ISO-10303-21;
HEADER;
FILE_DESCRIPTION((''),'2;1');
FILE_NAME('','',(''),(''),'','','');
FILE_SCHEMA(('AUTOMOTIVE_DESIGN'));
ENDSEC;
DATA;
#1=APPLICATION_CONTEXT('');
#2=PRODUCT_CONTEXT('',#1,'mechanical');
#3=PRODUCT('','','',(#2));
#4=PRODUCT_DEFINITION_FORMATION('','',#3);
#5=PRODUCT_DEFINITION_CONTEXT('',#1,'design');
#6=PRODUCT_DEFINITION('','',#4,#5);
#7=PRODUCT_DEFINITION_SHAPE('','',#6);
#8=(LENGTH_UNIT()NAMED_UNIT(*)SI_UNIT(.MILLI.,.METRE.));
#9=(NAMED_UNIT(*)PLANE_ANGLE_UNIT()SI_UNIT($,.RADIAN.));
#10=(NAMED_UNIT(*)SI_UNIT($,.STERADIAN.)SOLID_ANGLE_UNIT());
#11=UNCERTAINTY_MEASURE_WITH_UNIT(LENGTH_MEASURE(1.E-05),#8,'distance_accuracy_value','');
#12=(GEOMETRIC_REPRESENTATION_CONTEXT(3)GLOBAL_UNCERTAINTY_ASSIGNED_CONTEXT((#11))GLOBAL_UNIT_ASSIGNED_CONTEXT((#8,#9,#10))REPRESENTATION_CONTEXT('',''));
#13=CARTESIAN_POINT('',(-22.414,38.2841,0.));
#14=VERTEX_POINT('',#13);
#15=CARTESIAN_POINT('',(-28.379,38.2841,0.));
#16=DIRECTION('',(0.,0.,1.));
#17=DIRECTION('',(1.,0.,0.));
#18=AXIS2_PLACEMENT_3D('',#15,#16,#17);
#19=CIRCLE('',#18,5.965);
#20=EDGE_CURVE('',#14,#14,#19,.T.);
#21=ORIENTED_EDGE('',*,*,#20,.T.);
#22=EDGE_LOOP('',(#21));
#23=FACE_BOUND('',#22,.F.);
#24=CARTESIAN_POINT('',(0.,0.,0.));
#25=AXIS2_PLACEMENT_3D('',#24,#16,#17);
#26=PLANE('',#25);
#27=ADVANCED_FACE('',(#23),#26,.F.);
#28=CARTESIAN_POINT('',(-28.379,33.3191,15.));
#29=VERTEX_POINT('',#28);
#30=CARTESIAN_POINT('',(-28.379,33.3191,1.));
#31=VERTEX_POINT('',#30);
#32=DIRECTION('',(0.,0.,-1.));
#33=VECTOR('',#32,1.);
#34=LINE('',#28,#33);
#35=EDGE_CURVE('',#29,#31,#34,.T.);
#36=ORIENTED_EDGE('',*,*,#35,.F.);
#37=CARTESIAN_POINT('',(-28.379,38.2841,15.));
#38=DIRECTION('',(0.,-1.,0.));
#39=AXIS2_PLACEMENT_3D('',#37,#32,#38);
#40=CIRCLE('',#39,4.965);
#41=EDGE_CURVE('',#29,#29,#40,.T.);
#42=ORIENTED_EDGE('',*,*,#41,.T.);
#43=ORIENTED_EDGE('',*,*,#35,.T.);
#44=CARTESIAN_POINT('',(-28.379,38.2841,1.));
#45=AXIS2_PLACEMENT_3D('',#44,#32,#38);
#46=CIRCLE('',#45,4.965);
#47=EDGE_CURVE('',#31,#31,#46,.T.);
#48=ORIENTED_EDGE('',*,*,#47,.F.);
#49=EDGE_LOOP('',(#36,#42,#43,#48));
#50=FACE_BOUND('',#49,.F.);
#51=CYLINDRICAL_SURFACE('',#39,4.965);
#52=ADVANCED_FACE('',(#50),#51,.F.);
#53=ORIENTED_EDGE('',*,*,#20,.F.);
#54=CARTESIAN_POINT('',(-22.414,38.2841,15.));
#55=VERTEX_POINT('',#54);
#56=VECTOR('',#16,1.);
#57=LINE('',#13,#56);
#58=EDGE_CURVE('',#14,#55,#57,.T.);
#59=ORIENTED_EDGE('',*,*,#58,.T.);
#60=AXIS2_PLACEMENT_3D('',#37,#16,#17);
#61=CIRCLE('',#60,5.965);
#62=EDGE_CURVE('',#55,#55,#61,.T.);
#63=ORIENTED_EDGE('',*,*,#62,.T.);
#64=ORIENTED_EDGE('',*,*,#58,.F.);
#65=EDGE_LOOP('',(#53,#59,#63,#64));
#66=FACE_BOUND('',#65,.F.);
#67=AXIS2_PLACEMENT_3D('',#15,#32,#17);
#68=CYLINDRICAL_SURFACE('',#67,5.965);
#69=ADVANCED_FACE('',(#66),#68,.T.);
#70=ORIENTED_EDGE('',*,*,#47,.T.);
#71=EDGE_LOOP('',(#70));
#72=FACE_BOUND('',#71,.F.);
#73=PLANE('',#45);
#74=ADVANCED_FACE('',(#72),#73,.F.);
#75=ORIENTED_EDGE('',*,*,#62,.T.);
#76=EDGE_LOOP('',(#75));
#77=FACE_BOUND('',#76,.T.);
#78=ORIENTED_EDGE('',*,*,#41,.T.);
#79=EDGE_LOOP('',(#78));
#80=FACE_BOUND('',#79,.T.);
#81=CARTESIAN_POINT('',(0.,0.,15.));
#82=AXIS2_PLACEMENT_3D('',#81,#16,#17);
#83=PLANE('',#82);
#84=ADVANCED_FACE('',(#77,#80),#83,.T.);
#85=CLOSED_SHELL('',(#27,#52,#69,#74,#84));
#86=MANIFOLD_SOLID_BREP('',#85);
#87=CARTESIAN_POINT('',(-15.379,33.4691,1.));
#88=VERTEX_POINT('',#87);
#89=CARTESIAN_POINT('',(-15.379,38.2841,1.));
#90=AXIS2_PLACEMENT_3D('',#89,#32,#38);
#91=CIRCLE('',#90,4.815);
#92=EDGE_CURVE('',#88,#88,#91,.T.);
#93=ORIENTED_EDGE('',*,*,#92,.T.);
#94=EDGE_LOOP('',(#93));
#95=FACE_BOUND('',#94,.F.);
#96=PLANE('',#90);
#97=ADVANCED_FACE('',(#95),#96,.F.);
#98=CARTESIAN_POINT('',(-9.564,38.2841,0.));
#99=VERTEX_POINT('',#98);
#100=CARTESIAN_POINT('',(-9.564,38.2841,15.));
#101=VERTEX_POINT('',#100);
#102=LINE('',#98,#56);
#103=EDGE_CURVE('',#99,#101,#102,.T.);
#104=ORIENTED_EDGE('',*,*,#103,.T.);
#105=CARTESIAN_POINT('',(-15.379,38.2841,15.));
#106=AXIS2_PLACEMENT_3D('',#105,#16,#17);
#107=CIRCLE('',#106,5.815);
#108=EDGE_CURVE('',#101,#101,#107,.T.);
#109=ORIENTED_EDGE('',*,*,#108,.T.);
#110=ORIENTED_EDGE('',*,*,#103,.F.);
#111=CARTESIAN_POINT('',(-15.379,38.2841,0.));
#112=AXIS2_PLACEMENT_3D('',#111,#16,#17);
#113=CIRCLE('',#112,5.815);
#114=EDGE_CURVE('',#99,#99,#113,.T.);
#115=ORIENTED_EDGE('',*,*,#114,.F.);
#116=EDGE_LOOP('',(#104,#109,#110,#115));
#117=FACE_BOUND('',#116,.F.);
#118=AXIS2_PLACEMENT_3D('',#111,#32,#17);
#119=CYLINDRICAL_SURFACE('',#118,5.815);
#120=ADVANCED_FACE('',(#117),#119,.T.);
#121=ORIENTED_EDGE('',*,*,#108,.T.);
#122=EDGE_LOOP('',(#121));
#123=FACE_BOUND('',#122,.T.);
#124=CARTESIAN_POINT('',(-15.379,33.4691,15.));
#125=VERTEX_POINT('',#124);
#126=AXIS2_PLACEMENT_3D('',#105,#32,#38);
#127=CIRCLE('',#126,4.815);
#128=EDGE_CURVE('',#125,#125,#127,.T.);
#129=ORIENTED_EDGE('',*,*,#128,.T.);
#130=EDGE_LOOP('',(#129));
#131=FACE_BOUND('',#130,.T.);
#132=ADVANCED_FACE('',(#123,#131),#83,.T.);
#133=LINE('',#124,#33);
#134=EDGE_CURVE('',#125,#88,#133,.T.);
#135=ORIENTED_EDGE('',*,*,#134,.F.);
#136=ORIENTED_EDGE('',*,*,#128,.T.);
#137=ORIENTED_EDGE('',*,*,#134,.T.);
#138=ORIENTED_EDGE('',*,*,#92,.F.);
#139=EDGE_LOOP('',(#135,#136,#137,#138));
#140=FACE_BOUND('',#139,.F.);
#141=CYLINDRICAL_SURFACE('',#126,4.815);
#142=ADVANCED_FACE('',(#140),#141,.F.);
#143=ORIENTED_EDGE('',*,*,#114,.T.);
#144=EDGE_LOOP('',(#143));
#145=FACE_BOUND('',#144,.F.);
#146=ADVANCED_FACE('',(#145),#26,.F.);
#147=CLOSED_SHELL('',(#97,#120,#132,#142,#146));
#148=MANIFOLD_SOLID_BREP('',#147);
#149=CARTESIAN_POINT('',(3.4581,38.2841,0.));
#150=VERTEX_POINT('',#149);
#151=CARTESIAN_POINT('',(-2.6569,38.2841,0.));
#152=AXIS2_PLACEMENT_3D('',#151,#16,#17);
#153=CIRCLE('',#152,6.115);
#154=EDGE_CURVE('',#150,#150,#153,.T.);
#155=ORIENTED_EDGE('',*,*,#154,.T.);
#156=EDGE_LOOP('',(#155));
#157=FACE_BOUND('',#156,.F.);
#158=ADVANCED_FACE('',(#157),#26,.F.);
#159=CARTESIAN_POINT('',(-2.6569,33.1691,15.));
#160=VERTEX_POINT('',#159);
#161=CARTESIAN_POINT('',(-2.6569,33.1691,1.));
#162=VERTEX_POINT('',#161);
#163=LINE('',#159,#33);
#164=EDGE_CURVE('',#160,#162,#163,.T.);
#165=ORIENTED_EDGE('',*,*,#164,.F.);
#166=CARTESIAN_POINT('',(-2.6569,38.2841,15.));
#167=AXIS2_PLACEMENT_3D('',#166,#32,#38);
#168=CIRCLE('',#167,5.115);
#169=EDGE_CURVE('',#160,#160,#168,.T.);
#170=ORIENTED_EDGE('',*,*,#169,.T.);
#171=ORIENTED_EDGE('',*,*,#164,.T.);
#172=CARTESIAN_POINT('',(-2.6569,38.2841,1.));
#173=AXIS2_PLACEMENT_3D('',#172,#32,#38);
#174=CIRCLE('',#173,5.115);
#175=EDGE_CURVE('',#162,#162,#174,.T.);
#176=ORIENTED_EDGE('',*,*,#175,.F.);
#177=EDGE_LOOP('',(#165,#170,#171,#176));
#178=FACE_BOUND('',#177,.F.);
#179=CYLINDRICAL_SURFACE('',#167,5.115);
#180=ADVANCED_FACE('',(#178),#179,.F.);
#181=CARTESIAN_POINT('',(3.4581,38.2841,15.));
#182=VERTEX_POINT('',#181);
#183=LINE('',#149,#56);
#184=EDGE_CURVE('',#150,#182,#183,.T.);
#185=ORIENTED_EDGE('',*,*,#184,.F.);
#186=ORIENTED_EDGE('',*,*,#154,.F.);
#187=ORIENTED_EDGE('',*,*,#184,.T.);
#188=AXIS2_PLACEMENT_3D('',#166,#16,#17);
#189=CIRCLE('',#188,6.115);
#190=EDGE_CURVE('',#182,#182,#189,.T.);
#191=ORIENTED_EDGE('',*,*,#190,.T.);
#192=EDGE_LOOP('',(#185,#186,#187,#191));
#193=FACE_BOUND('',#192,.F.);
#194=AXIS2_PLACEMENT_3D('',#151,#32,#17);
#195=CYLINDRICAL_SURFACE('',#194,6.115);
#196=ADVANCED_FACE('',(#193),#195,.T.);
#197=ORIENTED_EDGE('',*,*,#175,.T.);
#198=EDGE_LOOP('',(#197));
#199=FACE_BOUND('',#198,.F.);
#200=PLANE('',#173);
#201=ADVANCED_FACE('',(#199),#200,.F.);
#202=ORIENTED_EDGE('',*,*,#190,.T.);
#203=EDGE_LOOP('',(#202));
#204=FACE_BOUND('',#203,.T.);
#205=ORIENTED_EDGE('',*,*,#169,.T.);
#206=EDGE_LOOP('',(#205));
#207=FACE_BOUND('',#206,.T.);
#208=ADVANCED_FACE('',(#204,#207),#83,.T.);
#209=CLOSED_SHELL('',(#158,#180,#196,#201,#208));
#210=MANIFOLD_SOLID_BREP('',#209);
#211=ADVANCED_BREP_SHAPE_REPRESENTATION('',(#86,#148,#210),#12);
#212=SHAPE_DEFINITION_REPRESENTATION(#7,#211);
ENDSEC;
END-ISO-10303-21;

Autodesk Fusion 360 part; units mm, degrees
sketch "Sketch1" plane through (0, 0, 0) normal (0, 0, 1) x (1, 0, 0)
  circle A0 centre (-28.379, 38.2841) radius 5.965
  circle A1 centre (-2.6569, 38.2841) radius 6.115
  circle A2 centre (-15.379, 38.2841) radius 5.815
  dimension "d1" = 11.63
  dimension "d2" = 11.93
  dimension "d3" = 12.23
extrude "Extrude1" add sketch "Sketch1" along normal blind 15 makes body 1 at (-9.5929, 37.7051, 10) makes body 2 at (-22.4436, 37.6902, 10) makes body 3 at (3.4277, 37.6752, 10)
hole "Hole1" at (-15.379, 38.2841, 15) direction (0, 0, -1) diameter 9.63 depth 14 tip angle 180 bodies 1
hole "Hole2" at (-28.379, 38.2841, 15) direction (0, 0, -1) diameter 9.93 depth 14 tip angle 180 bodies 2
hole "Hole3" at (-2.6569, 38.2841, 15) direction (0, 0, -1) diameter 10.23 depth 14 tip angle 180 bodies 3
